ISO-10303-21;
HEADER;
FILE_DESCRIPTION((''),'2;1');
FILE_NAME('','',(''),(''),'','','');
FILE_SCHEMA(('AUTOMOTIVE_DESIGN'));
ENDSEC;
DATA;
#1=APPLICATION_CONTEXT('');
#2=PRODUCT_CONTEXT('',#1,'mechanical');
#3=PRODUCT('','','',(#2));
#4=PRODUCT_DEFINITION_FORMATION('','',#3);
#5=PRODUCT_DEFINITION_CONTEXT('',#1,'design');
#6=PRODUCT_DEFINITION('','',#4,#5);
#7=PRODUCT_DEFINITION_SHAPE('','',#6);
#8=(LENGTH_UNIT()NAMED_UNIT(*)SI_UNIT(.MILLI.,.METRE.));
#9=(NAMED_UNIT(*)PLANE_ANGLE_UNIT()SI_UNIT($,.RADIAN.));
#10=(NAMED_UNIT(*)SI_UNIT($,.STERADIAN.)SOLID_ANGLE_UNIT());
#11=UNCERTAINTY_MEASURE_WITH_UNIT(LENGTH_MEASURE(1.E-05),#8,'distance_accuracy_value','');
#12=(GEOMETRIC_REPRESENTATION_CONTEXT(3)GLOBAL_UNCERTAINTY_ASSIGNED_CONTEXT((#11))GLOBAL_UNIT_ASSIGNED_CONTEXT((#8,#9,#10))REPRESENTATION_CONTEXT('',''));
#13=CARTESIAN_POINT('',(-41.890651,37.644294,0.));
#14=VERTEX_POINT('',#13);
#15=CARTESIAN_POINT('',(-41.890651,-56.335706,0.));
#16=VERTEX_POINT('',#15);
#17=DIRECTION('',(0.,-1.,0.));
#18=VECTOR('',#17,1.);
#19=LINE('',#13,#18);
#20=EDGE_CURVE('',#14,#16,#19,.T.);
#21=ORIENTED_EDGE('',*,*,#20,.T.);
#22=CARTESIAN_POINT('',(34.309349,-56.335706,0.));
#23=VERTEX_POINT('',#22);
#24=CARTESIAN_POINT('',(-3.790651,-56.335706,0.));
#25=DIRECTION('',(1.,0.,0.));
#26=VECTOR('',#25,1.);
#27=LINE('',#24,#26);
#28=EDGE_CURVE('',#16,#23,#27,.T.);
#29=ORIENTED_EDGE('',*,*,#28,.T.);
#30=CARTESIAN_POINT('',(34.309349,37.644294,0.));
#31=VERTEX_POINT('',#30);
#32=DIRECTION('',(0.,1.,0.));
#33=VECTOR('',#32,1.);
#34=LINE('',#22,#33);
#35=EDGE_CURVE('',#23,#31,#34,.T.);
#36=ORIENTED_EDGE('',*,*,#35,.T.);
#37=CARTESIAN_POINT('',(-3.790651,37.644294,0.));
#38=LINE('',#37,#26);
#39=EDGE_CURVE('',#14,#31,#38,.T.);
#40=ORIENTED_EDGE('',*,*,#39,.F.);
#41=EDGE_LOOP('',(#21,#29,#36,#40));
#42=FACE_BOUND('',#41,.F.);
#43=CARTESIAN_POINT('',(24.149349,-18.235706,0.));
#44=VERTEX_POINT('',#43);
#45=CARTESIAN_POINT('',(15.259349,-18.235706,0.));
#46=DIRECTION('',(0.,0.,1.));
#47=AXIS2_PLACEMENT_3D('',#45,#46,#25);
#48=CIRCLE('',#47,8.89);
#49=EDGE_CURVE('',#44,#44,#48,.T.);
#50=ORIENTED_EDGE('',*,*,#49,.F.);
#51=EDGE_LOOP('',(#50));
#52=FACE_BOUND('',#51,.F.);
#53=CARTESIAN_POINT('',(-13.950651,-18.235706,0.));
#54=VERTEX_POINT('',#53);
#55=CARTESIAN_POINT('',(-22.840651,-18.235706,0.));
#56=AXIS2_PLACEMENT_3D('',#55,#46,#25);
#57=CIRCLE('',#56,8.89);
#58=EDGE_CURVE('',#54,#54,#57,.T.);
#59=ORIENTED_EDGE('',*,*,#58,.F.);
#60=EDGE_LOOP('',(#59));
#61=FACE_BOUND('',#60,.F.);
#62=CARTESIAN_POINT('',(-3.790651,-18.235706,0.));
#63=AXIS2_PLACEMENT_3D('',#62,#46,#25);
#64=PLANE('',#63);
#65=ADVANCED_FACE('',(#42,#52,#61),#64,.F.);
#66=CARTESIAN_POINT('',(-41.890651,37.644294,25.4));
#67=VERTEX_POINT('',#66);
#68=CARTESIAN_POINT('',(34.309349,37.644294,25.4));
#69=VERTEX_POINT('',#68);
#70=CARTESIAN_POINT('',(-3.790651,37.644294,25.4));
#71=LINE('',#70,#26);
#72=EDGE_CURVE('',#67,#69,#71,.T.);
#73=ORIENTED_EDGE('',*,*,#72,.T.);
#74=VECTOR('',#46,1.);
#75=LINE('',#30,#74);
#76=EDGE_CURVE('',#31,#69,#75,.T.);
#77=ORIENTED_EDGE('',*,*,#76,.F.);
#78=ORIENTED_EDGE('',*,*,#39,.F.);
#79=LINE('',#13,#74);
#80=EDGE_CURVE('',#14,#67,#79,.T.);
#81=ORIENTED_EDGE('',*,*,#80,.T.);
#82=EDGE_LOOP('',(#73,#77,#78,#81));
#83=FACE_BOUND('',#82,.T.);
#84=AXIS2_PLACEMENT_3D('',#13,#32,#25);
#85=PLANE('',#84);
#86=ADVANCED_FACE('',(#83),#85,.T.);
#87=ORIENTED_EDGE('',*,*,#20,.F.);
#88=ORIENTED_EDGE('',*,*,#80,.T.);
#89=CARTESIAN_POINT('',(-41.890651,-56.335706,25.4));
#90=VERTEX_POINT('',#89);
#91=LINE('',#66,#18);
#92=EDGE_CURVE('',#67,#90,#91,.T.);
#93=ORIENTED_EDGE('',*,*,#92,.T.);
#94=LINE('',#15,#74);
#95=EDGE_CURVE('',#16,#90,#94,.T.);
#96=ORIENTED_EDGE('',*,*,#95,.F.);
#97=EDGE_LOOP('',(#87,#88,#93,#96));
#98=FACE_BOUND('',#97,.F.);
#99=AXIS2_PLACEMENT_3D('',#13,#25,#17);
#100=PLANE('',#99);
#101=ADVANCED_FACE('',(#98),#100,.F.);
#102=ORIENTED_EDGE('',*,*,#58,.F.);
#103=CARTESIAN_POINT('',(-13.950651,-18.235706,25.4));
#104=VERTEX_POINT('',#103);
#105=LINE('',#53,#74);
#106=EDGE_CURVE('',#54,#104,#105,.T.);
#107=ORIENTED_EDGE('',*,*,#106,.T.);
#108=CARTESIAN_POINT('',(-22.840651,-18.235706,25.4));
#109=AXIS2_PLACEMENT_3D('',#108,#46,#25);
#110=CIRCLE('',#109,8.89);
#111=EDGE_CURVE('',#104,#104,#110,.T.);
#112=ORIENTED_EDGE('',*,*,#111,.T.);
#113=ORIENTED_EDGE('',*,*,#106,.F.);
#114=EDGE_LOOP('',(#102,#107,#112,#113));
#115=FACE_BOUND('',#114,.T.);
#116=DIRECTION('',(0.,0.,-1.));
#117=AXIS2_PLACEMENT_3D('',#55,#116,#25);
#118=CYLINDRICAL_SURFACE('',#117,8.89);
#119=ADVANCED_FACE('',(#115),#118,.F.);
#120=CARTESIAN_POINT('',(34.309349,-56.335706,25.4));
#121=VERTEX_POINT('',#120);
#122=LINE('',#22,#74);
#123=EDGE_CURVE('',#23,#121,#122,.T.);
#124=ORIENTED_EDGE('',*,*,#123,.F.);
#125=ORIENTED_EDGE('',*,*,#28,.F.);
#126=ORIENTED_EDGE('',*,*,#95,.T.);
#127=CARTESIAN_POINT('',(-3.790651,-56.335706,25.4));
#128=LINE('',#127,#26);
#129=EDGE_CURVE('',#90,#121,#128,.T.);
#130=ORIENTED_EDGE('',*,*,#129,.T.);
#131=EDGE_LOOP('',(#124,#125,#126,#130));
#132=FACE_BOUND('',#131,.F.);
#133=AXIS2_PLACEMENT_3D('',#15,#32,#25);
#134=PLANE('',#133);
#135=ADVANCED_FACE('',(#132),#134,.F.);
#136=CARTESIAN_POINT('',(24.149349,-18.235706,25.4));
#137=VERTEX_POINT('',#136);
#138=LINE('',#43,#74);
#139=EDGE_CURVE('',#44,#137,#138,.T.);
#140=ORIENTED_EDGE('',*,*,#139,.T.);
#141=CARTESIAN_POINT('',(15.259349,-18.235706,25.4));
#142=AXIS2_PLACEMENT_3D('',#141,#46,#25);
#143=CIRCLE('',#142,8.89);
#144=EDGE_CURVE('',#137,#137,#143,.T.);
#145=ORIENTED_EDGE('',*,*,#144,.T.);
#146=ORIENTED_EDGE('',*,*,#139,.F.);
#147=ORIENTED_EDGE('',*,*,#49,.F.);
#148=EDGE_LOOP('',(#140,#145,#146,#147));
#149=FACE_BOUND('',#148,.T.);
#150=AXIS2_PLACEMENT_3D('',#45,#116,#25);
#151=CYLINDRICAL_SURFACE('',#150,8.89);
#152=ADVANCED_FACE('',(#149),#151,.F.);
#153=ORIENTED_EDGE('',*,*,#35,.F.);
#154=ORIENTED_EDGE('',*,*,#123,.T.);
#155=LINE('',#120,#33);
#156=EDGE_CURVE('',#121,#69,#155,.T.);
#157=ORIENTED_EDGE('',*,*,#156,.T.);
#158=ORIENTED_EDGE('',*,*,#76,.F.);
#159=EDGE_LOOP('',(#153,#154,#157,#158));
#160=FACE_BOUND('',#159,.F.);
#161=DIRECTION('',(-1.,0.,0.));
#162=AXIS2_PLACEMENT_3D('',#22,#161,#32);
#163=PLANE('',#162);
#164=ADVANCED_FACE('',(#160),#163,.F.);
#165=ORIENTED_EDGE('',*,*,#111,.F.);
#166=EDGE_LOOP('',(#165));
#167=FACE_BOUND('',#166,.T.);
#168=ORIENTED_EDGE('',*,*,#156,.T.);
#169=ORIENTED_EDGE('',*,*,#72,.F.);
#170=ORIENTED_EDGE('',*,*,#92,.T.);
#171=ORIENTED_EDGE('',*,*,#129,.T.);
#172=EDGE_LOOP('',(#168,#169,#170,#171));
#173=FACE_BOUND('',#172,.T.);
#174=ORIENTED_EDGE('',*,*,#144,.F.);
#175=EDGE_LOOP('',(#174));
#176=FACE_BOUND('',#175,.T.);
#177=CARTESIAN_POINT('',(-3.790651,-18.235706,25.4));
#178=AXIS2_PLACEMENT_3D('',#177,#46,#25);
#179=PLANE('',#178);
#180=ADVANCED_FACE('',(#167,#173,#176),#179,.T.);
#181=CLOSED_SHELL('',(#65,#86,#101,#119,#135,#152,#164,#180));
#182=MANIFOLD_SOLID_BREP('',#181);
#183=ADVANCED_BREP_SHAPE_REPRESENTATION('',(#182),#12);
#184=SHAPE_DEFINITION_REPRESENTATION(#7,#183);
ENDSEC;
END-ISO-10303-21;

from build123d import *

# Parameters (mm, degrees)
F0_W     = 76.2
F0_H     = 76.2
F0_R     = 8.89
F0_H_2   = 17.78
F1_DEPTH = 25.4


with BuildPart() as f1:
    # F0 (on Top) → F1 (new body)
    with BuildSketch(Plane.XY):
        with Locations((-3.790651, -18.235706)):
            Rectangle(F0_W, F0_H)
        with Locations((-22.840651, -18.235706)):
            Circle(F0_R, mode=Mode.SUBTRACT)
        with Locations((15.259349, -18.235706)):
            Circle(F0_R, mode=Mode.SUBTRACT)
        with Locations((-3.790651, 28.754294)):
            Rectangle(F0_W, F0_H_2)
    extrude(amount=F1_DEPTH)


solid = f1.part
